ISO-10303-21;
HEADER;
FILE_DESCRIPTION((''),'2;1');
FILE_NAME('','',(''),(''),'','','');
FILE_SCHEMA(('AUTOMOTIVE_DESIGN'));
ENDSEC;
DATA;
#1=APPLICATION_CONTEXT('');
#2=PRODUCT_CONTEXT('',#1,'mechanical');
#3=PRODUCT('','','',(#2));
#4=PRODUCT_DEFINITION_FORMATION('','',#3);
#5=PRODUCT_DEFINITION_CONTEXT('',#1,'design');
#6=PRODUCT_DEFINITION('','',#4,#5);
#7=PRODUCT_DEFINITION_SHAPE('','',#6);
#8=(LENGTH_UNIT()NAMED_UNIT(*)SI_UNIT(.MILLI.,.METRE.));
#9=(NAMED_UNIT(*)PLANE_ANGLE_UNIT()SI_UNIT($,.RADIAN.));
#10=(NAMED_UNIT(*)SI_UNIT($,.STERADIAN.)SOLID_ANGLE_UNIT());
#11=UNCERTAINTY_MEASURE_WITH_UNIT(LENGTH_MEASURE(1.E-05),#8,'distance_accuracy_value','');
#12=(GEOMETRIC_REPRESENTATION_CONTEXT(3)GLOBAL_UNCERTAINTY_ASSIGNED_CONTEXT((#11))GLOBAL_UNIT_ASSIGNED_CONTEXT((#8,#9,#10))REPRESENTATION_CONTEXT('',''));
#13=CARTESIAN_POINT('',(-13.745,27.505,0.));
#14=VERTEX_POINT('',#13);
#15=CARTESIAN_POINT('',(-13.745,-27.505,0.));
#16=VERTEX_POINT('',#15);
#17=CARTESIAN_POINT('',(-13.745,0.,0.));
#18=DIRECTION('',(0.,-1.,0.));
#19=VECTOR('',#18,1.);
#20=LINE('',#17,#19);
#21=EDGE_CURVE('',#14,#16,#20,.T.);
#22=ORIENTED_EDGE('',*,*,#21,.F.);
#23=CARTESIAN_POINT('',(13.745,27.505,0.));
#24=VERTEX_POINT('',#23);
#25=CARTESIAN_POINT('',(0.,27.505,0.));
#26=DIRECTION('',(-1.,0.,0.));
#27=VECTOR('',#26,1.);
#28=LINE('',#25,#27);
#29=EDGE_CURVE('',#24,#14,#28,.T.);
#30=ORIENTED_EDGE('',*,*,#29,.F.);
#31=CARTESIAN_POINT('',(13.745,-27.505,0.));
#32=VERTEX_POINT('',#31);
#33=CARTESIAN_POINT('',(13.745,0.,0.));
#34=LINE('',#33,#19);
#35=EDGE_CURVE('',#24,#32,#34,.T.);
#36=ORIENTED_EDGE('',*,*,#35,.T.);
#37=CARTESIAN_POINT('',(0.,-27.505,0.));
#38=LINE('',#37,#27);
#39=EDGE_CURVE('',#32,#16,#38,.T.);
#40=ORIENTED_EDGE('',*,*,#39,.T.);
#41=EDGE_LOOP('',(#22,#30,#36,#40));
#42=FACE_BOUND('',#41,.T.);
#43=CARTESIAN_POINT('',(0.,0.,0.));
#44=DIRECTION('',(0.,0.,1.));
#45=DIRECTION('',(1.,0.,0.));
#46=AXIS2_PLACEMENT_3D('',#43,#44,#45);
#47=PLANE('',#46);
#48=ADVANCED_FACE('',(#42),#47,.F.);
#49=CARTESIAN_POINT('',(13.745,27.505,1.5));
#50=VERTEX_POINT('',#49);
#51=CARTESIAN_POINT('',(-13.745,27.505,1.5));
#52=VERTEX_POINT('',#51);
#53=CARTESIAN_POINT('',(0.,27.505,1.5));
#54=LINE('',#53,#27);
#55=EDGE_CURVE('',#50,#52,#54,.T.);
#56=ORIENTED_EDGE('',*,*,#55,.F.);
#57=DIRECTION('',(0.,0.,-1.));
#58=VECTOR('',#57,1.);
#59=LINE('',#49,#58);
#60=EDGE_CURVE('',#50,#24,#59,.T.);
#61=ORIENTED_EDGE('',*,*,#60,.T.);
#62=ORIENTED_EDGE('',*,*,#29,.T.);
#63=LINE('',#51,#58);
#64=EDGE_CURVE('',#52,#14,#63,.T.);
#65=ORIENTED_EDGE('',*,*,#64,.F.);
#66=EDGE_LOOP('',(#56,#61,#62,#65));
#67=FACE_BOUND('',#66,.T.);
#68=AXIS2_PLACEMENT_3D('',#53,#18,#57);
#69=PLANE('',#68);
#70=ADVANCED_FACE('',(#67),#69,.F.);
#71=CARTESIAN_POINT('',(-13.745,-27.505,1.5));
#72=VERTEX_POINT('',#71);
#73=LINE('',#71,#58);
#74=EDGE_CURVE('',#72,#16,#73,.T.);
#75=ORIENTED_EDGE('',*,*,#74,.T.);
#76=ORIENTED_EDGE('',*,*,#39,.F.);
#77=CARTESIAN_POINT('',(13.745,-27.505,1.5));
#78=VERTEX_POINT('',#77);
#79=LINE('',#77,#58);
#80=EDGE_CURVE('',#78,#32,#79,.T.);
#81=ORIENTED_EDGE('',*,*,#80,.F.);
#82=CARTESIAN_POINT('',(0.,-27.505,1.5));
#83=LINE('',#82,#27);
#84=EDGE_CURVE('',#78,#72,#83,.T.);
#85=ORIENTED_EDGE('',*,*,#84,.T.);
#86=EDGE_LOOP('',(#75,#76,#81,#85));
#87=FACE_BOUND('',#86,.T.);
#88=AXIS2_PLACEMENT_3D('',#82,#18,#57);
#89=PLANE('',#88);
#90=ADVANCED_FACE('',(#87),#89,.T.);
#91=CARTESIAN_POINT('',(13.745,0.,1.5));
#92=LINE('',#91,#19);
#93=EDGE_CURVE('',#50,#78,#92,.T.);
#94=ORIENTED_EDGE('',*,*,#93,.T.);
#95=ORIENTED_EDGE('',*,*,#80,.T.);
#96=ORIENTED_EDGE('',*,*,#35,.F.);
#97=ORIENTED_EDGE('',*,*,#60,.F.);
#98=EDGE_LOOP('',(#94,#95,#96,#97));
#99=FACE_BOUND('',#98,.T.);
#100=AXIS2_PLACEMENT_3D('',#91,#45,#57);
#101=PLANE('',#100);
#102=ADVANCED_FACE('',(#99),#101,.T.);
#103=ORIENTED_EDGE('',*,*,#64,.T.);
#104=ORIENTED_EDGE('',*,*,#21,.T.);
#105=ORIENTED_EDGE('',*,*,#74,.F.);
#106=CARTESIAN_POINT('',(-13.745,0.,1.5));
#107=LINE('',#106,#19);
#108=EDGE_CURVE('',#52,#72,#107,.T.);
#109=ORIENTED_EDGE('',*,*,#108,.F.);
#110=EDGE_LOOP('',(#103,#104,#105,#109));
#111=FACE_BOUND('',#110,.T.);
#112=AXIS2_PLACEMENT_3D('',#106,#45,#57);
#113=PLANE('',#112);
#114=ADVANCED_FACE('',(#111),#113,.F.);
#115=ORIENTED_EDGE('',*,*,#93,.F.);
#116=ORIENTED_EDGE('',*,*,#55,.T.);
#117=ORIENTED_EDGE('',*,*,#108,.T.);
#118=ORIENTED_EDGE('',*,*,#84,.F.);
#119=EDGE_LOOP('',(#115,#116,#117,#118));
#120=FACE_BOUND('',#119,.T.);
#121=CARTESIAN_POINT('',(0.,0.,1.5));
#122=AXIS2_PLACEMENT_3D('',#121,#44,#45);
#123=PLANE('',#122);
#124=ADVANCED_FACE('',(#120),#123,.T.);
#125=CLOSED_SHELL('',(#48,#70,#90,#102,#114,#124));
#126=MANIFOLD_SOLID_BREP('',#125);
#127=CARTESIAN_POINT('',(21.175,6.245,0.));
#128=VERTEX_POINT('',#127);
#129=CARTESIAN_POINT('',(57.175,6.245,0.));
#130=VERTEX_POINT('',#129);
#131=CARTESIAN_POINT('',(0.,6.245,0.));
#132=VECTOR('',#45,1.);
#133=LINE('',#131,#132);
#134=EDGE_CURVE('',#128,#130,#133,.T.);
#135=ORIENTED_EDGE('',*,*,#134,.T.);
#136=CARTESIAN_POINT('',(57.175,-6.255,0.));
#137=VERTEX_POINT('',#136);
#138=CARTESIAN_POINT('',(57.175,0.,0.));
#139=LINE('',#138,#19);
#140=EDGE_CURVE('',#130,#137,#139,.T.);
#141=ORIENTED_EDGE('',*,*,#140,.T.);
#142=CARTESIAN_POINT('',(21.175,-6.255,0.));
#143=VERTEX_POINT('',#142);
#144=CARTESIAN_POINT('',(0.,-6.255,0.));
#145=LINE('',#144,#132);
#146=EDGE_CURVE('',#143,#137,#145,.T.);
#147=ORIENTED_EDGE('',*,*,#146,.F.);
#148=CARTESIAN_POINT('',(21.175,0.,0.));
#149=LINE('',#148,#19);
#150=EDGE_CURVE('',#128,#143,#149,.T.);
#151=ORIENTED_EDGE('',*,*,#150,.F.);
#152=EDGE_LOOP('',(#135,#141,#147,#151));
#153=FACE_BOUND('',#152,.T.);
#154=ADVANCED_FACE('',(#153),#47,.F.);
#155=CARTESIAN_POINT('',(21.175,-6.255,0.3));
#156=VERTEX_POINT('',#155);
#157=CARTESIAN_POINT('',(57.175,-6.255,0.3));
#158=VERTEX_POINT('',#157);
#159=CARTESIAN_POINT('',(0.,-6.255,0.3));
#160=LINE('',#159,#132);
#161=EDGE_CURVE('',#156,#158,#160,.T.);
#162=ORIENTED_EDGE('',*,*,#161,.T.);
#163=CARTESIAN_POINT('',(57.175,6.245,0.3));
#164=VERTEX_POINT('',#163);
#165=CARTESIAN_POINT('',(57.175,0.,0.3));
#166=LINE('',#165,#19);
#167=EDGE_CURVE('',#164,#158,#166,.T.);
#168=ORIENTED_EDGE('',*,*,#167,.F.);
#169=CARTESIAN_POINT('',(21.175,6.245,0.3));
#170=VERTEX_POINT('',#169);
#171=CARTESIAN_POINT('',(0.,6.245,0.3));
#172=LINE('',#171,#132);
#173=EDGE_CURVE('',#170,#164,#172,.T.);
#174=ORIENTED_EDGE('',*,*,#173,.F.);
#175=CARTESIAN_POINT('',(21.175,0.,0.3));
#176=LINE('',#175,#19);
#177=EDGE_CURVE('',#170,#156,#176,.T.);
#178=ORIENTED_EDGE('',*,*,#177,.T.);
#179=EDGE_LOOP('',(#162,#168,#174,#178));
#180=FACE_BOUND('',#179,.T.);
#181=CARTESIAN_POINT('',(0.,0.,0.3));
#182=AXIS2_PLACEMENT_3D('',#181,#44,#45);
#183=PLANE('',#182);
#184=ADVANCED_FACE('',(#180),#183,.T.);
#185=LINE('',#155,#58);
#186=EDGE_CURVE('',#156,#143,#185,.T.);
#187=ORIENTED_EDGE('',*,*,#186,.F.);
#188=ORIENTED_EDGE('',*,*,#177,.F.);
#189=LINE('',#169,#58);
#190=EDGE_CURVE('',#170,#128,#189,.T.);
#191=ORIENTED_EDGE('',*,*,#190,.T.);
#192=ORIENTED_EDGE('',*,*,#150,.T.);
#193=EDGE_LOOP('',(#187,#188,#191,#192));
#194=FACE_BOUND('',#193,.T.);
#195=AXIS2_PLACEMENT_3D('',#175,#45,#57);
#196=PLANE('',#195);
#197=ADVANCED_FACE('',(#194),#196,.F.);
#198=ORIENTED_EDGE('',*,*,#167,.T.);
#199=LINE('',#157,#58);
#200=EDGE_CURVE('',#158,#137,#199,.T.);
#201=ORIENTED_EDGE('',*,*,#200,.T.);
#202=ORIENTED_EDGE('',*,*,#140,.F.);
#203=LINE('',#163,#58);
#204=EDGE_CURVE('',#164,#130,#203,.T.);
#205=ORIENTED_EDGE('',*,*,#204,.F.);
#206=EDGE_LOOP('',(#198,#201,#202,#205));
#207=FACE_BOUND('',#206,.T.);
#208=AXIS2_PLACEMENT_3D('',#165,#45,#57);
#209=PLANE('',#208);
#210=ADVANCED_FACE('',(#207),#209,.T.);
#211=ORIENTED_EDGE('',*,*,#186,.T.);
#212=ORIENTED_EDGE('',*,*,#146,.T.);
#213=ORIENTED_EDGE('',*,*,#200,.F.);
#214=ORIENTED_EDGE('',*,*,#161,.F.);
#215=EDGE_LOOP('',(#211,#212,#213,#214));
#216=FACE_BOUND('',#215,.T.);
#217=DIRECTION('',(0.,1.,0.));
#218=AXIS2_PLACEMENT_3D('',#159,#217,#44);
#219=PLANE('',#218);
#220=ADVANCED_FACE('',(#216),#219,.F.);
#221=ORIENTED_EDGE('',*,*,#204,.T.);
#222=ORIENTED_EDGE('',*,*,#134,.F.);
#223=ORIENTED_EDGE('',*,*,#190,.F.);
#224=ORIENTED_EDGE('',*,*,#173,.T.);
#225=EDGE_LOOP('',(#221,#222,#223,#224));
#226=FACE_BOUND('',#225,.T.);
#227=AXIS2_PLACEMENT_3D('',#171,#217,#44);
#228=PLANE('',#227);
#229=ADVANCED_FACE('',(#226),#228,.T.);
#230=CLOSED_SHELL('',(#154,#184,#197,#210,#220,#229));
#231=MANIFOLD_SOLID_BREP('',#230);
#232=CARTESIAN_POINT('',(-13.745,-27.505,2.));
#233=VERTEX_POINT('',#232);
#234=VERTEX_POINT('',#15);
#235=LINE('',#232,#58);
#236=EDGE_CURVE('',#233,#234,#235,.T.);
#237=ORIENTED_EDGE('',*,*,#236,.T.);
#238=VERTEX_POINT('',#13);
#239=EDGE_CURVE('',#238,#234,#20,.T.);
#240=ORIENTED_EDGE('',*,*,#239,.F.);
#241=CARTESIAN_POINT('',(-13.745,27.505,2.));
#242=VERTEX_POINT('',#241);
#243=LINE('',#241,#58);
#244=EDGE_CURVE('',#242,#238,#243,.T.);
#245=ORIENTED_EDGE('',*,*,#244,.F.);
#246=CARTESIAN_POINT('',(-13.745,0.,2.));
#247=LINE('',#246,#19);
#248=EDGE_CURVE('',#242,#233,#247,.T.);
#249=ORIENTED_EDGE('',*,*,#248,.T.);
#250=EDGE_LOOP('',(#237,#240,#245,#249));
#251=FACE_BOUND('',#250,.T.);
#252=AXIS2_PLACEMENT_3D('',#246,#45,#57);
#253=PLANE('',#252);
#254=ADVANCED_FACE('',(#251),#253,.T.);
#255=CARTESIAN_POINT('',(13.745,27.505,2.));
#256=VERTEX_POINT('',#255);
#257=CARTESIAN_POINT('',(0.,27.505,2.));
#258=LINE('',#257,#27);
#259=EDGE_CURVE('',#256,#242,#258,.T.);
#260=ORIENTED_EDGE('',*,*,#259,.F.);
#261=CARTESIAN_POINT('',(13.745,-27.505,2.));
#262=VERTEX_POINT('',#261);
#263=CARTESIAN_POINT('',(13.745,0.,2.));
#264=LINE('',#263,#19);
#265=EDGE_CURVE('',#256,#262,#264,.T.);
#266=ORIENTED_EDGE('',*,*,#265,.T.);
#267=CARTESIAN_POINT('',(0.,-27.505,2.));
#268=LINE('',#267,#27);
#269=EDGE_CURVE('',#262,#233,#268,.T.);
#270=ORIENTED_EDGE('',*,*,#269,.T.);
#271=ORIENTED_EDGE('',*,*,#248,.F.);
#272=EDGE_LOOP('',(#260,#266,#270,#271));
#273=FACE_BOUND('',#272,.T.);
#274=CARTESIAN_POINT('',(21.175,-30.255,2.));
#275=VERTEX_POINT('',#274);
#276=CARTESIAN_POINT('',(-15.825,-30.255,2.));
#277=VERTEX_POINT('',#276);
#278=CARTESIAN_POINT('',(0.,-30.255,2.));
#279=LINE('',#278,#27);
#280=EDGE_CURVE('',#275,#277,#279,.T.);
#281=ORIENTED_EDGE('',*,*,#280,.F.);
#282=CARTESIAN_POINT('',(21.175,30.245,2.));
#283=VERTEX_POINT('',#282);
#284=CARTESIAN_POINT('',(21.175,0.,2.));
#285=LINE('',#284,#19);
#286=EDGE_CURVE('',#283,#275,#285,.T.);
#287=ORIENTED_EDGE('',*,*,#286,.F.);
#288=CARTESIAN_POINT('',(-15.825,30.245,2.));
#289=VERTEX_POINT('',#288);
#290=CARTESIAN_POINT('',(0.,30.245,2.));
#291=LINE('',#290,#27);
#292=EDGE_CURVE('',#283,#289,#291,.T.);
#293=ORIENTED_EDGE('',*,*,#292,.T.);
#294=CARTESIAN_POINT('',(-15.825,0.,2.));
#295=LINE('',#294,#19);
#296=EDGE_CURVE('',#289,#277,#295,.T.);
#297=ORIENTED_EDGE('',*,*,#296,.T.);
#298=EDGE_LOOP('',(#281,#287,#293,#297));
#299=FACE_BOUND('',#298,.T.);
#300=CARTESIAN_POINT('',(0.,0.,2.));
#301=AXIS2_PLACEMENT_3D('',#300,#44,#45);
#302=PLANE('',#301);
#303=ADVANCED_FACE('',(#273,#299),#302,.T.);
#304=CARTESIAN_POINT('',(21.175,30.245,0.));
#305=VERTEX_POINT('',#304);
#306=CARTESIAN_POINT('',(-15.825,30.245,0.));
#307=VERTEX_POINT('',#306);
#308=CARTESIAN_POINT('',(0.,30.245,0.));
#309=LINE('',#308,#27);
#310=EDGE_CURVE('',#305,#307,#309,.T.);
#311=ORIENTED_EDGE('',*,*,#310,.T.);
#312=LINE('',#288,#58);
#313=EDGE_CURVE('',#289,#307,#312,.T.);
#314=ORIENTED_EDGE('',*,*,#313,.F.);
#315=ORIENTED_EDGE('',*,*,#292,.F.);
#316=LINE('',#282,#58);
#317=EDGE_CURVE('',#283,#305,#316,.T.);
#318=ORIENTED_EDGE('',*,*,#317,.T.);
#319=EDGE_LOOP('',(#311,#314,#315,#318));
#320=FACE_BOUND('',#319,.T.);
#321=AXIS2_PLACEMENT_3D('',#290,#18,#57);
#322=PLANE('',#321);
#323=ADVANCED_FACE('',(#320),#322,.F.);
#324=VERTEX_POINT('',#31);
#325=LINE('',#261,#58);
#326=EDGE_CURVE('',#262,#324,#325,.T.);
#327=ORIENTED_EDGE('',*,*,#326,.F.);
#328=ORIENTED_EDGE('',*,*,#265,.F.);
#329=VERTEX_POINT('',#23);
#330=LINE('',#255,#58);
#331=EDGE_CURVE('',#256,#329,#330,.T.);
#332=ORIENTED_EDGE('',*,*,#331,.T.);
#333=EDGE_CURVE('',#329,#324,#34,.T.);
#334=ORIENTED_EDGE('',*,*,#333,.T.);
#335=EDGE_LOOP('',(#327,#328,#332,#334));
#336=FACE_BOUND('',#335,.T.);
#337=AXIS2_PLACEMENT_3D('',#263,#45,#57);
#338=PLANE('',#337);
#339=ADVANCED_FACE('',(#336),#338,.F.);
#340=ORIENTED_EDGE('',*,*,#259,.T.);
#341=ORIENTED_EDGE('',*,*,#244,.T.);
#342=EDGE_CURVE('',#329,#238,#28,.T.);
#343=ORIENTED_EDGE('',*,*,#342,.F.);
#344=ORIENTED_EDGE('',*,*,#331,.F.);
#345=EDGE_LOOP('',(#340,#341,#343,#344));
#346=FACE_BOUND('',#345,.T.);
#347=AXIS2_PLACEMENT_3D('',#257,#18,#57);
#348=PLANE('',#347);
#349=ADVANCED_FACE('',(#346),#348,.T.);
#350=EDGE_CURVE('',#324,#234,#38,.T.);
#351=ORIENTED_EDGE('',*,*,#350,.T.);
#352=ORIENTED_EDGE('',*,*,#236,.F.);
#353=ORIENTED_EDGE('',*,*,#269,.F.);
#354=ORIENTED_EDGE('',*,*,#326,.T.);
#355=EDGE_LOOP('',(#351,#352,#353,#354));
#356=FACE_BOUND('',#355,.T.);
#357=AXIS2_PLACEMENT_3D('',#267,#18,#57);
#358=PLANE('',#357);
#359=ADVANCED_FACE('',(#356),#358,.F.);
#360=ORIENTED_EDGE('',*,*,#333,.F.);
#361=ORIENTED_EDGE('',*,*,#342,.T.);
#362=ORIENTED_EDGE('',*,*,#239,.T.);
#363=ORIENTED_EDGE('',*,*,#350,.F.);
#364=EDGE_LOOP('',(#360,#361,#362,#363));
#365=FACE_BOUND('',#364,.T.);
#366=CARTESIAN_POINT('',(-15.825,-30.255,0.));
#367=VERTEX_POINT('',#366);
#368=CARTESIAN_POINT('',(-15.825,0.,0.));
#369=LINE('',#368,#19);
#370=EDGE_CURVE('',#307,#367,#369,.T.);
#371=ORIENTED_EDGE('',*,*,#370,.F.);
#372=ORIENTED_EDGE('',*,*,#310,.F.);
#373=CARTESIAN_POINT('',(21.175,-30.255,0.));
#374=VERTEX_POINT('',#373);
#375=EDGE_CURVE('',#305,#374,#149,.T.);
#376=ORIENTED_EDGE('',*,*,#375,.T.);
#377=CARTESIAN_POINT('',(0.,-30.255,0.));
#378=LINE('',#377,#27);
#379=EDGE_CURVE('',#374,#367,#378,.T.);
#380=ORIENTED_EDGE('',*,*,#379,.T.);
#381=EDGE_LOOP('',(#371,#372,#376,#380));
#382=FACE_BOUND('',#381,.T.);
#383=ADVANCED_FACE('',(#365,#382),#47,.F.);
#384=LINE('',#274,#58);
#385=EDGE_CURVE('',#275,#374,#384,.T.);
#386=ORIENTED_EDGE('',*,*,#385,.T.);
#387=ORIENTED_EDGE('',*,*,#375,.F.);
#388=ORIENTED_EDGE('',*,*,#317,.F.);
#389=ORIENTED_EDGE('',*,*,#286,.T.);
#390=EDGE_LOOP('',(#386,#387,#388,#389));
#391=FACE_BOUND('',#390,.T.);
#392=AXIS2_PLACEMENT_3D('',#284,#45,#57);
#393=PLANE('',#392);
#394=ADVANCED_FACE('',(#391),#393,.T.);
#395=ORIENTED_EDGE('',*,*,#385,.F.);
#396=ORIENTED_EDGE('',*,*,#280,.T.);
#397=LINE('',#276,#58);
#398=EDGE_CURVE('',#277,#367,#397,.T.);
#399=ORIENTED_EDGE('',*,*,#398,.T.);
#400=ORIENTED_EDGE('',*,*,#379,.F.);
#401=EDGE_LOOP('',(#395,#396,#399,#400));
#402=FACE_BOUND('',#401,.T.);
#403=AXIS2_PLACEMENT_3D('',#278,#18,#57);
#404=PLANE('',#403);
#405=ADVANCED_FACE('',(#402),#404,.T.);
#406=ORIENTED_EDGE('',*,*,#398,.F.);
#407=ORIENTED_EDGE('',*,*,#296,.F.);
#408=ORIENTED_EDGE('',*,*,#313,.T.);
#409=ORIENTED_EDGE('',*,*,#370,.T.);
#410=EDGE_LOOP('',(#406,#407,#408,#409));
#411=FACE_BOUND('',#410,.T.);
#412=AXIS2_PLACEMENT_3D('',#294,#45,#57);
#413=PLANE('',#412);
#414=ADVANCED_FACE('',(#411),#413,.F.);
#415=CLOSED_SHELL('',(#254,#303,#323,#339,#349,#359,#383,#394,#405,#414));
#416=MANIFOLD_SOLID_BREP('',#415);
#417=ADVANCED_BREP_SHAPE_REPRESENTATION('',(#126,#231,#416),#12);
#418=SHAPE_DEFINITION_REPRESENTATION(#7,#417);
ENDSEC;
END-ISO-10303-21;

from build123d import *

# Parameters (mm, degrees)
SKETCH1_W           = 27.49
SKETCH1_H           = 55.01
BOSS_EXTRUDE1_DEPTH = 1.5
SKETCH1_3_W         = 27.49
SKETCH1_3_H         = 55.01
BOSS_EXTRUDE2_DEPTH = 2
SKETCH1_4_W         = 36
SKETCH1_4_H         = 12.5
BOSS_EXTRUDE3_DEPTH = 0.3


with BuildPart() as part:
    # Sketch1 → Boss-Extrude1 (new body)
    with BuildSketch(Plane.XY):
        Rectangle(SKETCH1_W, SKETCH1_H)
    extrude(amount=BOSS_EXTRUDE1_DEPTH)


with BuildPart() as body_2:
    # Sketch1<3> → Boss-Extrude2 (new body)
    with BuildSketch(Plane.XY):
        Polygon((21.175, 6.245), (21.175, 30.245), (-15.825, 30.245), (-15.825, -30.255), (21.175, -30.255), (21.175, -6.255), align=None)
        Rectangle(SKETCH1_3_W, SKETCH1_3_H, mode=Mode.SUBTRACT)
    extrude(amount=BOSS_EXTRUDE2_DEPTH)


with BuildPart() as body_3:
    # Sketch1<4> → Boss-Extrude3 (new body)
    with BuildSketch(Plane.XY):
        with Locations((39.175, -0.005)):
            Rectangle(SKETCH1_4_W, SKETCH1_4_H)
    extrude(amount=BOSS_EXTRUDE3_DEPTH)


solid = Compound([part.part, body_2.part, body_3.part])
